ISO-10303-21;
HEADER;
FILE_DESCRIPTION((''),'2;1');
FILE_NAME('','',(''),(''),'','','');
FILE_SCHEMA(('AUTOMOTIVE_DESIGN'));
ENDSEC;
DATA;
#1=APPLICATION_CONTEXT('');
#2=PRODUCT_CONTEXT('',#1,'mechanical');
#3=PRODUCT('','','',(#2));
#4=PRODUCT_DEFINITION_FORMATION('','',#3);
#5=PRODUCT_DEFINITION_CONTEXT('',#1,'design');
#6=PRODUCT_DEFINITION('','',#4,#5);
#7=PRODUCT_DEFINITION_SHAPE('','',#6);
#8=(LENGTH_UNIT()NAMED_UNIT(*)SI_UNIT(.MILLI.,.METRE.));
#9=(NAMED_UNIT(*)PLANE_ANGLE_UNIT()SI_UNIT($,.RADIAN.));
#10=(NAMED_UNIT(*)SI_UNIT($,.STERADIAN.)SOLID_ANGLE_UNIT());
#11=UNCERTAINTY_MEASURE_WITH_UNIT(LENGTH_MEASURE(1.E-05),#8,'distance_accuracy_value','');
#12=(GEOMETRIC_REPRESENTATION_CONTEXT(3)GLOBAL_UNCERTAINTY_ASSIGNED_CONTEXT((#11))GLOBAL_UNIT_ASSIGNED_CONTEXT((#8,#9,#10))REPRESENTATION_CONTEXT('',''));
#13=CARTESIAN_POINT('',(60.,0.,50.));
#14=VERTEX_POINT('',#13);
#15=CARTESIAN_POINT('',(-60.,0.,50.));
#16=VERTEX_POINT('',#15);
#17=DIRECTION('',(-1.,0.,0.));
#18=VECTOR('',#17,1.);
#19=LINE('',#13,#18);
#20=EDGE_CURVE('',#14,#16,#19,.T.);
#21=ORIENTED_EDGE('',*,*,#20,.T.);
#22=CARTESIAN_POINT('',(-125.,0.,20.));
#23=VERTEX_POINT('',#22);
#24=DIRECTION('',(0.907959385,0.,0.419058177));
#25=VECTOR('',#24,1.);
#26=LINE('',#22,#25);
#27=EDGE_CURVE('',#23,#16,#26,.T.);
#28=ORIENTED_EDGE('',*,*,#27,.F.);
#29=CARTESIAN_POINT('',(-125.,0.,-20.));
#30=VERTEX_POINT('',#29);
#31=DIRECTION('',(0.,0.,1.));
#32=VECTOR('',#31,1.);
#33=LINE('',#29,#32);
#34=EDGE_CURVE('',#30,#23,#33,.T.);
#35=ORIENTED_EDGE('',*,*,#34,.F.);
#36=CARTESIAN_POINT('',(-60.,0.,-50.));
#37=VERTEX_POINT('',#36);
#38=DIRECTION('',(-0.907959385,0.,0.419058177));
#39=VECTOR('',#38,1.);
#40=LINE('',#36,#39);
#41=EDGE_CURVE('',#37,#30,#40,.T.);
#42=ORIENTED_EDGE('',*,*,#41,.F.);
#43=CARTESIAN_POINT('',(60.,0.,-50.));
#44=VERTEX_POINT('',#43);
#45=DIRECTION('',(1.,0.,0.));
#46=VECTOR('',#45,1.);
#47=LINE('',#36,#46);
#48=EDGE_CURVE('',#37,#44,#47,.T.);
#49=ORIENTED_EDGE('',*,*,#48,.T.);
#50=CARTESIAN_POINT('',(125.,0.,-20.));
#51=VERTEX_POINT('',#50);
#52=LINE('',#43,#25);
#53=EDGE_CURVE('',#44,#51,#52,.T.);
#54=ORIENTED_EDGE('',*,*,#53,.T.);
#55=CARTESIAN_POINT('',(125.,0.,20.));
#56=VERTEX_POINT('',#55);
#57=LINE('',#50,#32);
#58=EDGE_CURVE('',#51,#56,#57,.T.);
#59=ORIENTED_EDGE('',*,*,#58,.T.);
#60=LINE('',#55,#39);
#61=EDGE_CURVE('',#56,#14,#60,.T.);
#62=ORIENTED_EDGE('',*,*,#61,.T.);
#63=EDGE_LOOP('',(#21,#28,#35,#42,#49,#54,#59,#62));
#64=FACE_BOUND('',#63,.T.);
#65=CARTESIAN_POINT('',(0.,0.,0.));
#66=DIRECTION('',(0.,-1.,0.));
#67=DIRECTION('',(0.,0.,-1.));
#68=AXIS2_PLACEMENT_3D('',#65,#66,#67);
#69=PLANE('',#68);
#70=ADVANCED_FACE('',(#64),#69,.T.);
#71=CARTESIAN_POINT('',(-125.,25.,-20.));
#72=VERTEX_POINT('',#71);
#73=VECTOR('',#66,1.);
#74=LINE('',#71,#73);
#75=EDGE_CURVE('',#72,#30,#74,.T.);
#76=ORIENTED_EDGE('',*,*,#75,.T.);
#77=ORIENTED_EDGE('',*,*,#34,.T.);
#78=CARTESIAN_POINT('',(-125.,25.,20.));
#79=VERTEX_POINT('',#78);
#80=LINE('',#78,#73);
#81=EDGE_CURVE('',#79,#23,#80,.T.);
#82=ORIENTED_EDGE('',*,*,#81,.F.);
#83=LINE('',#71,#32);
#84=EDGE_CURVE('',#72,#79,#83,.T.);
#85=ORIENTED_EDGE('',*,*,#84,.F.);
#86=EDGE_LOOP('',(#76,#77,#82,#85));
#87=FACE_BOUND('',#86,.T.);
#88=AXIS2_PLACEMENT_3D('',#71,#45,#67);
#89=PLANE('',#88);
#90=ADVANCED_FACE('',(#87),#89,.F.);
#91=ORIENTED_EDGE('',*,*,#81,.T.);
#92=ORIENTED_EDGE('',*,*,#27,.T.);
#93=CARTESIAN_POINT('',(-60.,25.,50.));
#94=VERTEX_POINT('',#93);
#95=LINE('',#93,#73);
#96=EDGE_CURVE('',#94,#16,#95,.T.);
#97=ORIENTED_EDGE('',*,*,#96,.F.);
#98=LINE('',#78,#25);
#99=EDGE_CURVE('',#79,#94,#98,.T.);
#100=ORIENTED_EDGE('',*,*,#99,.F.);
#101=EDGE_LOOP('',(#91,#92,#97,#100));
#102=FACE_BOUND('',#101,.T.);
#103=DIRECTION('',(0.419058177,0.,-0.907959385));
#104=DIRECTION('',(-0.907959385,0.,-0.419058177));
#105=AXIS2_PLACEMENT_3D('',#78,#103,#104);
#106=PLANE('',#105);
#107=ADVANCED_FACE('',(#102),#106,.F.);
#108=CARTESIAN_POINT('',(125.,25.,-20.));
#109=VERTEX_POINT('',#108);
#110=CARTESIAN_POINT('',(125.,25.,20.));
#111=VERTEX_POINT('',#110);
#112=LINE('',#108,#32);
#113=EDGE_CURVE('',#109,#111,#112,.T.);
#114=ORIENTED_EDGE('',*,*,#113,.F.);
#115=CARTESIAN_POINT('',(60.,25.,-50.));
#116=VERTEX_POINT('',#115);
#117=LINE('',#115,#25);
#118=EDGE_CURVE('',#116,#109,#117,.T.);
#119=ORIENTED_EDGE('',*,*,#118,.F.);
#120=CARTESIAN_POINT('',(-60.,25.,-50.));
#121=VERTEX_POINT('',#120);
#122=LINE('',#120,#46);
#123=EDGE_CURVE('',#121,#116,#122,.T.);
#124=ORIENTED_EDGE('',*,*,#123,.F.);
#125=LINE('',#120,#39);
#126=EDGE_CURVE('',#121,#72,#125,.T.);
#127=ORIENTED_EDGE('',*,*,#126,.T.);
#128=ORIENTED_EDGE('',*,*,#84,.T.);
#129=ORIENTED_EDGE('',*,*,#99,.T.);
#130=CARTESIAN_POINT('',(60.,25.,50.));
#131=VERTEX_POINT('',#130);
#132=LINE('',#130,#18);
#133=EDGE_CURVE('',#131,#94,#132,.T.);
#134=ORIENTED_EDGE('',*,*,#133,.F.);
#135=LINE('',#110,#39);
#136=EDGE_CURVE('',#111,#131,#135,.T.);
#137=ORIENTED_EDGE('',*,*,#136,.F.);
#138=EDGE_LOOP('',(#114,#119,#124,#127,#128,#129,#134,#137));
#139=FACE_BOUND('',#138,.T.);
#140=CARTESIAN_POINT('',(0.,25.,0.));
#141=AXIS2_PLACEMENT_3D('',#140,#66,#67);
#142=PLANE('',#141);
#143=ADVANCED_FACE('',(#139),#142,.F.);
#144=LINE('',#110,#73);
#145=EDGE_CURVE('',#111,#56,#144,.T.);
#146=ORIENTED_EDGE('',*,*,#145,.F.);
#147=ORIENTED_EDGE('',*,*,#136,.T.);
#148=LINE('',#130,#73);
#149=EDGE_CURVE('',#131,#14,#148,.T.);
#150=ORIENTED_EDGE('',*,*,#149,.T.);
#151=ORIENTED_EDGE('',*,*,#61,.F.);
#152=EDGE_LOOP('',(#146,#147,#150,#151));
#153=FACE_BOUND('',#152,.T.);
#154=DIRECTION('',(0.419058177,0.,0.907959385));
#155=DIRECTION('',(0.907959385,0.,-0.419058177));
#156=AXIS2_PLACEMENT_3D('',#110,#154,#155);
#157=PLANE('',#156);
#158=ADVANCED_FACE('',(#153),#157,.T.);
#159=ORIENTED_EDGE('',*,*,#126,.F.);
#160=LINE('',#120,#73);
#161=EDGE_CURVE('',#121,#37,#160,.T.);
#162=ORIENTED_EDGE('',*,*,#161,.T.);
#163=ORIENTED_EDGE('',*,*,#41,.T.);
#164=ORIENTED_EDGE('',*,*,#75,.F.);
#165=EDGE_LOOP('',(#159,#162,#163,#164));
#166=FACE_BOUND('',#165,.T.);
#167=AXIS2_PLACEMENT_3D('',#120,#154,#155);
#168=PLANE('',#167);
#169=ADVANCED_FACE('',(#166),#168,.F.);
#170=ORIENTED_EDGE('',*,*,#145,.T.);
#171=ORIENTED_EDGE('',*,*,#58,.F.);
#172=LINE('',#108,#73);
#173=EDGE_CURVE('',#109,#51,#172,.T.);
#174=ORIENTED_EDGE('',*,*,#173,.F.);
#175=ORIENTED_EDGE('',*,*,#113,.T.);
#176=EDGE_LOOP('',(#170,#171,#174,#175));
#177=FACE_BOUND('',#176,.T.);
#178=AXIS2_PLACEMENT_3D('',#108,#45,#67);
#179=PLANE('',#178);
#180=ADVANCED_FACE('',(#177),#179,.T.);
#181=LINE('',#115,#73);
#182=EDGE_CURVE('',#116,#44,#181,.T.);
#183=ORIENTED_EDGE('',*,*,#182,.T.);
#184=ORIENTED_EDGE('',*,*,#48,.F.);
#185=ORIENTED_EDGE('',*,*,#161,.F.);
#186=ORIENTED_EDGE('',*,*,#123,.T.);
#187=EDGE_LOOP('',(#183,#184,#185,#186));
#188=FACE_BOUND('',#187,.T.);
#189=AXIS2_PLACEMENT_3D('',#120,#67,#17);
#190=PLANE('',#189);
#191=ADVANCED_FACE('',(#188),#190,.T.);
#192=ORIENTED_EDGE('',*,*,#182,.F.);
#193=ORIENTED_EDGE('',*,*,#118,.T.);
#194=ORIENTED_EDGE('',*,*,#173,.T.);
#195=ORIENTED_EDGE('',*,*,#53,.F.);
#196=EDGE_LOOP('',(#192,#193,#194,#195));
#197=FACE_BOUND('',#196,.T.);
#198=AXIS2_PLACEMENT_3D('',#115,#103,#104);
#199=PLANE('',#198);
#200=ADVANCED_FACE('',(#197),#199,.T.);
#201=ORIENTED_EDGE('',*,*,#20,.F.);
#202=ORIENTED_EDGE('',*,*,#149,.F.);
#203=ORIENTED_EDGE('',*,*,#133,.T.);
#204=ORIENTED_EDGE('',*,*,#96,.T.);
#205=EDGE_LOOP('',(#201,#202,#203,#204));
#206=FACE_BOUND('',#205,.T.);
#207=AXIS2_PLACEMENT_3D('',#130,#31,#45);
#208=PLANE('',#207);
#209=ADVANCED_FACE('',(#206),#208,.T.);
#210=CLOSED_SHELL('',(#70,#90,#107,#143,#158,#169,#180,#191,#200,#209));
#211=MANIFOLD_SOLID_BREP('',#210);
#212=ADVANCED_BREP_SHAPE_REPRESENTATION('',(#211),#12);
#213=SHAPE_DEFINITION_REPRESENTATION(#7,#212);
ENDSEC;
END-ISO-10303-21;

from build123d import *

# Parameters (mm, degrees)
BOSS_EXTRUDE1_DEPTH = 25


with BuildPart() as part:
    # Sketch1 → Boss-Extrude1 (new body)
    with BuildSketch(Plane(origin=(0, 0, 0), x_dir=(1, 0, 0), z_dir=(0, 1, 0))):
        Polygon((-60, 50), (60, 50), (125, 20), (125, -20), (60, -50), (-60, -50), (-125, -20), (-125, 20), align=None)
    extrude(amount=BOSS_EXTRUDE1_DEPTH)


solid = part.part
